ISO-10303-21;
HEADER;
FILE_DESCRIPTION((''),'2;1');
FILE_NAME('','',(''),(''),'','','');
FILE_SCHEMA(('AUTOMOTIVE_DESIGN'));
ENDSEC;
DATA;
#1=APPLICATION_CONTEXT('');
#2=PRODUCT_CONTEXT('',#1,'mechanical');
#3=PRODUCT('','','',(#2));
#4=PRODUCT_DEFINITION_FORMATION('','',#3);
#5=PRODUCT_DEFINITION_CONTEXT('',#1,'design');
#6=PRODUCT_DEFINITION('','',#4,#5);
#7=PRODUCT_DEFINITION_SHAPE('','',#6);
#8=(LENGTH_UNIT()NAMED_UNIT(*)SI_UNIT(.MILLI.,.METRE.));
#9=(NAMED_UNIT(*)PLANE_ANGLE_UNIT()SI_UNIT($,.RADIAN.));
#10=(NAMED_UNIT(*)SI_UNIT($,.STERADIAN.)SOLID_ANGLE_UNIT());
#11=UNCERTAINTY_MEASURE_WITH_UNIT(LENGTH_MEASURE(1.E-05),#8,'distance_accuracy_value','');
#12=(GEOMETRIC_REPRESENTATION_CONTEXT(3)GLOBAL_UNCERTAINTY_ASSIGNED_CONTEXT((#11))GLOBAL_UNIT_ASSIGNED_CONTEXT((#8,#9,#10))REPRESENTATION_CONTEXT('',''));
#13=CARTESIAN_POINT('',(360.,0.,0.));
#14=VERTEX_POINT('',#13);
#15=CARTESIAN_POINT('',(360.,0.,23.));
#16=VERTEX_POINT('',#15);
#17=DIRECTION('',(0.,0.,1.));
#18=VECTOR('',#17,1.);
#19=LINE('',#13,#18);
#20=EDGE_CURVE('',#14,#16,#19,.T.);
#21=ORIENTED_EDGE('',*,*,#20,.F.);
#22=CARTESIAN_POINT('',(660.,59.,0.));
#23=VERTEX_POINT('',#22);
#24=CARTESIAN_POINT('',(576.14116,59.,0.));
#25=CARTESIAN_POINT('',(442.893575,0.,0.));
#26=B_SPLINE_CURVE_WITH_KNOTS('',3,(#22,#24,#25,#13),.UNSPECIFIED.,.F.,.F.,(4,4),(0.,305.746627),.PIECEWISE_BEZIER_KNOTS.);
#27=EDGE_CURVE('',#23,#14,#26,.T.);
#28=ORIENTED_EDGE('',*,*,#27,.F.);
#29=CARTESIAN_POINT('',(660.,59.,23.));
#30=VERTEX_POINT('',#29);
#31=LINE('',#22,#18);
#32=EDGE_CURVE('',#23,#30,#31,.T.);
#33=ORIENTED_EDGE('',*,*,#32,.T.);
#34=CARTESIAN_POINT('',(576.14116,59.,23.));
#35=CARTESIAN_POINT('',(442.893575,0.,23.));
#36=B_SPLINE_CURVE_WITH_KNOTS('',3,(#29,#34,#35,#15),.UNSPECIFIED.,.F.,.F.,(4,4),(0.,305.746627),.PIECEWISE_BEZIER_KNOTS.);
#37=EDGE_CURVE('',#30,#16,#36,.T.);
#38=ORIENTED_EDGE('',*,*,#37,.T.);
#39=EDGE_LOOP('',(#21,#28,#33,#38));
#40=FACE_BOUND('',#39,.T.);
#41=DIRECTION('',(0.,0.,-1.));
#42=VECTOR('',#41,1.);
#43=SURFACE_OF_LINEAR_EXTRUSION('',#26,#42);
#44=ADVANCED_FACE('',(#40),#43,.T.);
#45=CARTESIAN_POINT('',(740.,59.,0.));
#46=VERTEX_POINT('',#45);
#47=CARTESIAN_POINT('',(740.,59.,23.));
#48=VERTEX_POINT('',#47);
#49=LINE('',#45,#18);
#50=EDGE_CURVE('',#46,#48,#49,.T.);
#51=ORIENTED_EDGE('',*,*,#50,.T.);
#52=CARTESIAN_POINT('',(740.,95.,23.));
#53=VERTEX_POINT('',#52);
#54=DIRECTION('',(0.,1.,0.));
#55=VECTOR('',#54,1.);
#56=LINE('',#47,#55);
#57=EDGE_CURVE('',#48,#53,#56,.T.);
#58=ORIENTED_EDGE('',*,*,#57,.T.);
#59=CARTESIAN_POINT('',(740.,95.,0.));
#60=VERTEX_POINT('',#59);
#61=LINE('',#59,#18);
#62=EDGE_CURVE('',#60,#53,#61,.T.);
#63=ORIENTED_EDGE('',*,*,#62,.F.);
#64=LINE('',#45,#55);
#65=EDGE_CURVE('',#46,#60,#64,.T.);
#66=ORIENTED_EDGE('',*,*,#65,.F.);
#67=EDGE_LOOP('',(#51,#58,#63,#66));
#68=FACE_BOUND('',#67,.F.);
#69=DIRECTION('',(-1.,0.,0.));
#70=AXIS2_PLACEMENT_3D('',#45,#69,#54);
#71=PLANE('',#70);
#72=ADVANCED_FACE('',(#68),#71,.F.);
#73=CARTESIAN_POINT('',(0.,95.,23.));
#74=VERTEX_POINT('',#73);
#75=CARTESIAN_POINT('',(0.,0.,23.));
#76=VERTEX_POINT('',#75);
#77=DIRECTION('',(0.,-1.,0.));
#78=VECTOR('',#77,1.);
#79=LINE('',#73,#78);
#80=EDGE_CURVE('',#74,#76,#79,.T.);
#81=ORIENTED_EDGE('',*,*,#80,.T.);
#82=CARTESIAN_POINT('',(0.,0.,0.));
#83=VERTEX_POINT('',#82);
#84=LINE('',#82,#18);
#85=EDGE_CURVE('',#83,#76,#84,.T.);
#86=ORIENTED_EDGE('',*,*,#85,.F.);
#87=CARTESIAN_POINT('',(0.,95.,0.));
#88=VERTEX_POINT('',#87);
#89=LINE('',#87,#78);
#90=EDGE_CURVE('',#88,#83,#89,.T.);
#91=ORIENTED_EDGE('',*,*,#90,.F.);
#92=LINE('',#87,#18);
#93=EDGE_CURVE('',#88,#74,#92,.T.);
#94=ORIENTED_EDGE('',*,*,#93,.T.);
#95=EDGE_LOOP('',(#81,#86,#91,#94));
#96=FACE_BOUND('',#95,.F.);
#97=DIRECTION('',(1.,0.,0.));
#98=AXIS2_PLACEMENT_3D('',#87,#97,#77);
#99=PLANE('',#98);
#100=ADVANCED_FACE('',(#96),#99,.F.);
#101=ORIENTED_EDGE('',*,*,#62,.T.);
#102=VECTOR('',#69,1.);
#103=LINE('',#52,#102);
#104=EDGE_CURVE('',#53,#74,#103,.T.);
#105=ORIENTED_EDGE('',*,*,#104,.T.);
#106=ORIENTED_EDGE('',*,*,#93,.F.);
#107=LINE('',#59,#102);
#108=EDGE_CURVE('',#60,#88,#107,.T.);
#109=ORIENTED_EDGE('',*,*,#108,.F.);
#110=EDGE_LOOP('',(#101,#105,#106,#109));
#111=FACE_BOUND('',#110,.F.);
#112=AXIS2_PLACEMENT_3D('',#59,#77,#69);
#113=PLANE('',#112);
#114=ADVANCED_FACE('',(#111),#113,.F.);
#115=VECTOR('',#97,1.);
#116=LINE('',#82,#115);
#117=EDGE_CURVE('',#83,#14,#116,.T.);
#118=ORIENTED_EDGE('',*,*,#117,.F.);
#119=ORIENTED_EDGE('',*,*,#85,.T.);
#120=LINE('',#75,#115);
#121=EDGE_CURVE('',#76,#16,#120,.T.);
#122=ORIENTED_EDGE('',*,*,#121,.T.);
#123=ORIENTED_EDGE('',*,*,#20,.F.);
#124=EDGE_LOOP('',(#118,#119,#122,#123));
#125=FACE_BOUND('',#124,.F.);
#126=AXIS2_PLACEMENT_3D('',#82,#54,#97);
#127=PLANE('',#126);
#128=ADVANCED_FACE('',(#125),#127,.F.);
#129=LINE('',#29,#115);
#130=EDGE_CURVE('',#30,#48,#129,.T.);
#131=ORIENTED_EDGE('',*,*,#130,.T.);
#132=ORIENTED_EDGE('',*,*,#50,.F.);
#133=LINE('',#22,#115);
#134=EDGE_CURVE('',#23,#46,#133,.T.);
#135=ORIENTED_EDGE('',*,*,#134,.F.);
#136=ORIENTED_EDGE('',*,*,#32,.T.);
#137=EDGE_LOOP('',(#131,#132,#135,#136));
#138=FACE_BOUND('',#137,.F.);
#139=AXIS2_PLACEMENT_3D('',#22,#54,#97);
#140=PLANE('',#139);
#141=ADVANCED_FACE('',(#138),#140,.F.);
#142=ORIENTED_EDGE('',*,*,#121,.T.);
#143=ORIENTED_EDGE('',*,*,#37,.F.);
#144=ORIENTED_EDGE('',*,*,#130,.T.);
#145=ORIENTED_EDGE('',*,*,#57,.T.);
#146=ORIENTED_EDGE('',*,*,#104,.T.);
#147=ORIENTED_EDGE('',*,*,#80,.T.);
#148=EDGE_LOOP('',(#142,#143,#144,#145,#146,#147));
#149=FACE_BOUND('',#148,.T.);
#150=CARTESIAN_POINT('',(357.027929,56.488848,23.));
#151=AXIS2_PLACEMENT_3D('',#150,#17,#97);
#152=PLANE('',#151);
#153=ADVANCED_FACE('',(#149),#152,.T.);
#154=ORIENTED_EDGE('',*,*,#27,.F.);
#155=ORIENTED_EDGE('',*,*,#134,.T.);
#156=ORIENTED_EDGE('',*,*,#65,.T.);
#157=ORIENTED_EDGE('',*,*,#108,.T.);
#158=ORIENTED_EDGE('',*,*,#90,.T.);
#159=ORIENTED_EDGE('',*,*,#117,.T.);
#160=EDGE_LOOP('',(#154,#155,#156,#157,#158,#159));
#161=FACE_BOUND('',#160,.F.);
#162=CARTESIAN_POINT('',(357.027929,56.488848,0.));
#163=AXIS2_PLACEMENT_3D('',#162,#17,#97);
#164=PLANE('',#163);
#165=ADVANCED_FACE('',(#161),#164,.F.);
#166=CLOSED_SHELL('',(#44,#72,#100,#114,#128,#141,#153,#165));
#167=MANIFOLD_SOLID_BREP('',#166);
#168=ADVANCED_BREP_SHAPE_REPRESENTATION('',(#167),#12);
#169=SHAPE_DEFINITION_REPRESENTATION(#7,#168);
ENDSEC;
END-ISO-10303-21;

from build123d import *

# Parameters (mm, degrees)
F2_DEPTH = 23


with BuildPart() as f2:
    # F1 (on Top) → F2 (new body)
    with BuildSketch(Plane.XY):
        with BuildLine():
            Line((740, 95), (0, 95))
            Line((0, 95), (0, 0))
            Line((0, 0), (360, 0))
            add(Edge.make_bspline(
                [(660, 59), (576.14116, 59), (442.893575, 0), (360, 0)],
                knots=[0, 0, 0, 0, 305.746627, 305.746627, 305.746627, 305.746627], degree=3))
            Line((660, 59), (740, 59))
            Line((740, 59), (740, 95))
        make_face()
    extrude(amount=F2_DEPTH)


solid = f2.part
